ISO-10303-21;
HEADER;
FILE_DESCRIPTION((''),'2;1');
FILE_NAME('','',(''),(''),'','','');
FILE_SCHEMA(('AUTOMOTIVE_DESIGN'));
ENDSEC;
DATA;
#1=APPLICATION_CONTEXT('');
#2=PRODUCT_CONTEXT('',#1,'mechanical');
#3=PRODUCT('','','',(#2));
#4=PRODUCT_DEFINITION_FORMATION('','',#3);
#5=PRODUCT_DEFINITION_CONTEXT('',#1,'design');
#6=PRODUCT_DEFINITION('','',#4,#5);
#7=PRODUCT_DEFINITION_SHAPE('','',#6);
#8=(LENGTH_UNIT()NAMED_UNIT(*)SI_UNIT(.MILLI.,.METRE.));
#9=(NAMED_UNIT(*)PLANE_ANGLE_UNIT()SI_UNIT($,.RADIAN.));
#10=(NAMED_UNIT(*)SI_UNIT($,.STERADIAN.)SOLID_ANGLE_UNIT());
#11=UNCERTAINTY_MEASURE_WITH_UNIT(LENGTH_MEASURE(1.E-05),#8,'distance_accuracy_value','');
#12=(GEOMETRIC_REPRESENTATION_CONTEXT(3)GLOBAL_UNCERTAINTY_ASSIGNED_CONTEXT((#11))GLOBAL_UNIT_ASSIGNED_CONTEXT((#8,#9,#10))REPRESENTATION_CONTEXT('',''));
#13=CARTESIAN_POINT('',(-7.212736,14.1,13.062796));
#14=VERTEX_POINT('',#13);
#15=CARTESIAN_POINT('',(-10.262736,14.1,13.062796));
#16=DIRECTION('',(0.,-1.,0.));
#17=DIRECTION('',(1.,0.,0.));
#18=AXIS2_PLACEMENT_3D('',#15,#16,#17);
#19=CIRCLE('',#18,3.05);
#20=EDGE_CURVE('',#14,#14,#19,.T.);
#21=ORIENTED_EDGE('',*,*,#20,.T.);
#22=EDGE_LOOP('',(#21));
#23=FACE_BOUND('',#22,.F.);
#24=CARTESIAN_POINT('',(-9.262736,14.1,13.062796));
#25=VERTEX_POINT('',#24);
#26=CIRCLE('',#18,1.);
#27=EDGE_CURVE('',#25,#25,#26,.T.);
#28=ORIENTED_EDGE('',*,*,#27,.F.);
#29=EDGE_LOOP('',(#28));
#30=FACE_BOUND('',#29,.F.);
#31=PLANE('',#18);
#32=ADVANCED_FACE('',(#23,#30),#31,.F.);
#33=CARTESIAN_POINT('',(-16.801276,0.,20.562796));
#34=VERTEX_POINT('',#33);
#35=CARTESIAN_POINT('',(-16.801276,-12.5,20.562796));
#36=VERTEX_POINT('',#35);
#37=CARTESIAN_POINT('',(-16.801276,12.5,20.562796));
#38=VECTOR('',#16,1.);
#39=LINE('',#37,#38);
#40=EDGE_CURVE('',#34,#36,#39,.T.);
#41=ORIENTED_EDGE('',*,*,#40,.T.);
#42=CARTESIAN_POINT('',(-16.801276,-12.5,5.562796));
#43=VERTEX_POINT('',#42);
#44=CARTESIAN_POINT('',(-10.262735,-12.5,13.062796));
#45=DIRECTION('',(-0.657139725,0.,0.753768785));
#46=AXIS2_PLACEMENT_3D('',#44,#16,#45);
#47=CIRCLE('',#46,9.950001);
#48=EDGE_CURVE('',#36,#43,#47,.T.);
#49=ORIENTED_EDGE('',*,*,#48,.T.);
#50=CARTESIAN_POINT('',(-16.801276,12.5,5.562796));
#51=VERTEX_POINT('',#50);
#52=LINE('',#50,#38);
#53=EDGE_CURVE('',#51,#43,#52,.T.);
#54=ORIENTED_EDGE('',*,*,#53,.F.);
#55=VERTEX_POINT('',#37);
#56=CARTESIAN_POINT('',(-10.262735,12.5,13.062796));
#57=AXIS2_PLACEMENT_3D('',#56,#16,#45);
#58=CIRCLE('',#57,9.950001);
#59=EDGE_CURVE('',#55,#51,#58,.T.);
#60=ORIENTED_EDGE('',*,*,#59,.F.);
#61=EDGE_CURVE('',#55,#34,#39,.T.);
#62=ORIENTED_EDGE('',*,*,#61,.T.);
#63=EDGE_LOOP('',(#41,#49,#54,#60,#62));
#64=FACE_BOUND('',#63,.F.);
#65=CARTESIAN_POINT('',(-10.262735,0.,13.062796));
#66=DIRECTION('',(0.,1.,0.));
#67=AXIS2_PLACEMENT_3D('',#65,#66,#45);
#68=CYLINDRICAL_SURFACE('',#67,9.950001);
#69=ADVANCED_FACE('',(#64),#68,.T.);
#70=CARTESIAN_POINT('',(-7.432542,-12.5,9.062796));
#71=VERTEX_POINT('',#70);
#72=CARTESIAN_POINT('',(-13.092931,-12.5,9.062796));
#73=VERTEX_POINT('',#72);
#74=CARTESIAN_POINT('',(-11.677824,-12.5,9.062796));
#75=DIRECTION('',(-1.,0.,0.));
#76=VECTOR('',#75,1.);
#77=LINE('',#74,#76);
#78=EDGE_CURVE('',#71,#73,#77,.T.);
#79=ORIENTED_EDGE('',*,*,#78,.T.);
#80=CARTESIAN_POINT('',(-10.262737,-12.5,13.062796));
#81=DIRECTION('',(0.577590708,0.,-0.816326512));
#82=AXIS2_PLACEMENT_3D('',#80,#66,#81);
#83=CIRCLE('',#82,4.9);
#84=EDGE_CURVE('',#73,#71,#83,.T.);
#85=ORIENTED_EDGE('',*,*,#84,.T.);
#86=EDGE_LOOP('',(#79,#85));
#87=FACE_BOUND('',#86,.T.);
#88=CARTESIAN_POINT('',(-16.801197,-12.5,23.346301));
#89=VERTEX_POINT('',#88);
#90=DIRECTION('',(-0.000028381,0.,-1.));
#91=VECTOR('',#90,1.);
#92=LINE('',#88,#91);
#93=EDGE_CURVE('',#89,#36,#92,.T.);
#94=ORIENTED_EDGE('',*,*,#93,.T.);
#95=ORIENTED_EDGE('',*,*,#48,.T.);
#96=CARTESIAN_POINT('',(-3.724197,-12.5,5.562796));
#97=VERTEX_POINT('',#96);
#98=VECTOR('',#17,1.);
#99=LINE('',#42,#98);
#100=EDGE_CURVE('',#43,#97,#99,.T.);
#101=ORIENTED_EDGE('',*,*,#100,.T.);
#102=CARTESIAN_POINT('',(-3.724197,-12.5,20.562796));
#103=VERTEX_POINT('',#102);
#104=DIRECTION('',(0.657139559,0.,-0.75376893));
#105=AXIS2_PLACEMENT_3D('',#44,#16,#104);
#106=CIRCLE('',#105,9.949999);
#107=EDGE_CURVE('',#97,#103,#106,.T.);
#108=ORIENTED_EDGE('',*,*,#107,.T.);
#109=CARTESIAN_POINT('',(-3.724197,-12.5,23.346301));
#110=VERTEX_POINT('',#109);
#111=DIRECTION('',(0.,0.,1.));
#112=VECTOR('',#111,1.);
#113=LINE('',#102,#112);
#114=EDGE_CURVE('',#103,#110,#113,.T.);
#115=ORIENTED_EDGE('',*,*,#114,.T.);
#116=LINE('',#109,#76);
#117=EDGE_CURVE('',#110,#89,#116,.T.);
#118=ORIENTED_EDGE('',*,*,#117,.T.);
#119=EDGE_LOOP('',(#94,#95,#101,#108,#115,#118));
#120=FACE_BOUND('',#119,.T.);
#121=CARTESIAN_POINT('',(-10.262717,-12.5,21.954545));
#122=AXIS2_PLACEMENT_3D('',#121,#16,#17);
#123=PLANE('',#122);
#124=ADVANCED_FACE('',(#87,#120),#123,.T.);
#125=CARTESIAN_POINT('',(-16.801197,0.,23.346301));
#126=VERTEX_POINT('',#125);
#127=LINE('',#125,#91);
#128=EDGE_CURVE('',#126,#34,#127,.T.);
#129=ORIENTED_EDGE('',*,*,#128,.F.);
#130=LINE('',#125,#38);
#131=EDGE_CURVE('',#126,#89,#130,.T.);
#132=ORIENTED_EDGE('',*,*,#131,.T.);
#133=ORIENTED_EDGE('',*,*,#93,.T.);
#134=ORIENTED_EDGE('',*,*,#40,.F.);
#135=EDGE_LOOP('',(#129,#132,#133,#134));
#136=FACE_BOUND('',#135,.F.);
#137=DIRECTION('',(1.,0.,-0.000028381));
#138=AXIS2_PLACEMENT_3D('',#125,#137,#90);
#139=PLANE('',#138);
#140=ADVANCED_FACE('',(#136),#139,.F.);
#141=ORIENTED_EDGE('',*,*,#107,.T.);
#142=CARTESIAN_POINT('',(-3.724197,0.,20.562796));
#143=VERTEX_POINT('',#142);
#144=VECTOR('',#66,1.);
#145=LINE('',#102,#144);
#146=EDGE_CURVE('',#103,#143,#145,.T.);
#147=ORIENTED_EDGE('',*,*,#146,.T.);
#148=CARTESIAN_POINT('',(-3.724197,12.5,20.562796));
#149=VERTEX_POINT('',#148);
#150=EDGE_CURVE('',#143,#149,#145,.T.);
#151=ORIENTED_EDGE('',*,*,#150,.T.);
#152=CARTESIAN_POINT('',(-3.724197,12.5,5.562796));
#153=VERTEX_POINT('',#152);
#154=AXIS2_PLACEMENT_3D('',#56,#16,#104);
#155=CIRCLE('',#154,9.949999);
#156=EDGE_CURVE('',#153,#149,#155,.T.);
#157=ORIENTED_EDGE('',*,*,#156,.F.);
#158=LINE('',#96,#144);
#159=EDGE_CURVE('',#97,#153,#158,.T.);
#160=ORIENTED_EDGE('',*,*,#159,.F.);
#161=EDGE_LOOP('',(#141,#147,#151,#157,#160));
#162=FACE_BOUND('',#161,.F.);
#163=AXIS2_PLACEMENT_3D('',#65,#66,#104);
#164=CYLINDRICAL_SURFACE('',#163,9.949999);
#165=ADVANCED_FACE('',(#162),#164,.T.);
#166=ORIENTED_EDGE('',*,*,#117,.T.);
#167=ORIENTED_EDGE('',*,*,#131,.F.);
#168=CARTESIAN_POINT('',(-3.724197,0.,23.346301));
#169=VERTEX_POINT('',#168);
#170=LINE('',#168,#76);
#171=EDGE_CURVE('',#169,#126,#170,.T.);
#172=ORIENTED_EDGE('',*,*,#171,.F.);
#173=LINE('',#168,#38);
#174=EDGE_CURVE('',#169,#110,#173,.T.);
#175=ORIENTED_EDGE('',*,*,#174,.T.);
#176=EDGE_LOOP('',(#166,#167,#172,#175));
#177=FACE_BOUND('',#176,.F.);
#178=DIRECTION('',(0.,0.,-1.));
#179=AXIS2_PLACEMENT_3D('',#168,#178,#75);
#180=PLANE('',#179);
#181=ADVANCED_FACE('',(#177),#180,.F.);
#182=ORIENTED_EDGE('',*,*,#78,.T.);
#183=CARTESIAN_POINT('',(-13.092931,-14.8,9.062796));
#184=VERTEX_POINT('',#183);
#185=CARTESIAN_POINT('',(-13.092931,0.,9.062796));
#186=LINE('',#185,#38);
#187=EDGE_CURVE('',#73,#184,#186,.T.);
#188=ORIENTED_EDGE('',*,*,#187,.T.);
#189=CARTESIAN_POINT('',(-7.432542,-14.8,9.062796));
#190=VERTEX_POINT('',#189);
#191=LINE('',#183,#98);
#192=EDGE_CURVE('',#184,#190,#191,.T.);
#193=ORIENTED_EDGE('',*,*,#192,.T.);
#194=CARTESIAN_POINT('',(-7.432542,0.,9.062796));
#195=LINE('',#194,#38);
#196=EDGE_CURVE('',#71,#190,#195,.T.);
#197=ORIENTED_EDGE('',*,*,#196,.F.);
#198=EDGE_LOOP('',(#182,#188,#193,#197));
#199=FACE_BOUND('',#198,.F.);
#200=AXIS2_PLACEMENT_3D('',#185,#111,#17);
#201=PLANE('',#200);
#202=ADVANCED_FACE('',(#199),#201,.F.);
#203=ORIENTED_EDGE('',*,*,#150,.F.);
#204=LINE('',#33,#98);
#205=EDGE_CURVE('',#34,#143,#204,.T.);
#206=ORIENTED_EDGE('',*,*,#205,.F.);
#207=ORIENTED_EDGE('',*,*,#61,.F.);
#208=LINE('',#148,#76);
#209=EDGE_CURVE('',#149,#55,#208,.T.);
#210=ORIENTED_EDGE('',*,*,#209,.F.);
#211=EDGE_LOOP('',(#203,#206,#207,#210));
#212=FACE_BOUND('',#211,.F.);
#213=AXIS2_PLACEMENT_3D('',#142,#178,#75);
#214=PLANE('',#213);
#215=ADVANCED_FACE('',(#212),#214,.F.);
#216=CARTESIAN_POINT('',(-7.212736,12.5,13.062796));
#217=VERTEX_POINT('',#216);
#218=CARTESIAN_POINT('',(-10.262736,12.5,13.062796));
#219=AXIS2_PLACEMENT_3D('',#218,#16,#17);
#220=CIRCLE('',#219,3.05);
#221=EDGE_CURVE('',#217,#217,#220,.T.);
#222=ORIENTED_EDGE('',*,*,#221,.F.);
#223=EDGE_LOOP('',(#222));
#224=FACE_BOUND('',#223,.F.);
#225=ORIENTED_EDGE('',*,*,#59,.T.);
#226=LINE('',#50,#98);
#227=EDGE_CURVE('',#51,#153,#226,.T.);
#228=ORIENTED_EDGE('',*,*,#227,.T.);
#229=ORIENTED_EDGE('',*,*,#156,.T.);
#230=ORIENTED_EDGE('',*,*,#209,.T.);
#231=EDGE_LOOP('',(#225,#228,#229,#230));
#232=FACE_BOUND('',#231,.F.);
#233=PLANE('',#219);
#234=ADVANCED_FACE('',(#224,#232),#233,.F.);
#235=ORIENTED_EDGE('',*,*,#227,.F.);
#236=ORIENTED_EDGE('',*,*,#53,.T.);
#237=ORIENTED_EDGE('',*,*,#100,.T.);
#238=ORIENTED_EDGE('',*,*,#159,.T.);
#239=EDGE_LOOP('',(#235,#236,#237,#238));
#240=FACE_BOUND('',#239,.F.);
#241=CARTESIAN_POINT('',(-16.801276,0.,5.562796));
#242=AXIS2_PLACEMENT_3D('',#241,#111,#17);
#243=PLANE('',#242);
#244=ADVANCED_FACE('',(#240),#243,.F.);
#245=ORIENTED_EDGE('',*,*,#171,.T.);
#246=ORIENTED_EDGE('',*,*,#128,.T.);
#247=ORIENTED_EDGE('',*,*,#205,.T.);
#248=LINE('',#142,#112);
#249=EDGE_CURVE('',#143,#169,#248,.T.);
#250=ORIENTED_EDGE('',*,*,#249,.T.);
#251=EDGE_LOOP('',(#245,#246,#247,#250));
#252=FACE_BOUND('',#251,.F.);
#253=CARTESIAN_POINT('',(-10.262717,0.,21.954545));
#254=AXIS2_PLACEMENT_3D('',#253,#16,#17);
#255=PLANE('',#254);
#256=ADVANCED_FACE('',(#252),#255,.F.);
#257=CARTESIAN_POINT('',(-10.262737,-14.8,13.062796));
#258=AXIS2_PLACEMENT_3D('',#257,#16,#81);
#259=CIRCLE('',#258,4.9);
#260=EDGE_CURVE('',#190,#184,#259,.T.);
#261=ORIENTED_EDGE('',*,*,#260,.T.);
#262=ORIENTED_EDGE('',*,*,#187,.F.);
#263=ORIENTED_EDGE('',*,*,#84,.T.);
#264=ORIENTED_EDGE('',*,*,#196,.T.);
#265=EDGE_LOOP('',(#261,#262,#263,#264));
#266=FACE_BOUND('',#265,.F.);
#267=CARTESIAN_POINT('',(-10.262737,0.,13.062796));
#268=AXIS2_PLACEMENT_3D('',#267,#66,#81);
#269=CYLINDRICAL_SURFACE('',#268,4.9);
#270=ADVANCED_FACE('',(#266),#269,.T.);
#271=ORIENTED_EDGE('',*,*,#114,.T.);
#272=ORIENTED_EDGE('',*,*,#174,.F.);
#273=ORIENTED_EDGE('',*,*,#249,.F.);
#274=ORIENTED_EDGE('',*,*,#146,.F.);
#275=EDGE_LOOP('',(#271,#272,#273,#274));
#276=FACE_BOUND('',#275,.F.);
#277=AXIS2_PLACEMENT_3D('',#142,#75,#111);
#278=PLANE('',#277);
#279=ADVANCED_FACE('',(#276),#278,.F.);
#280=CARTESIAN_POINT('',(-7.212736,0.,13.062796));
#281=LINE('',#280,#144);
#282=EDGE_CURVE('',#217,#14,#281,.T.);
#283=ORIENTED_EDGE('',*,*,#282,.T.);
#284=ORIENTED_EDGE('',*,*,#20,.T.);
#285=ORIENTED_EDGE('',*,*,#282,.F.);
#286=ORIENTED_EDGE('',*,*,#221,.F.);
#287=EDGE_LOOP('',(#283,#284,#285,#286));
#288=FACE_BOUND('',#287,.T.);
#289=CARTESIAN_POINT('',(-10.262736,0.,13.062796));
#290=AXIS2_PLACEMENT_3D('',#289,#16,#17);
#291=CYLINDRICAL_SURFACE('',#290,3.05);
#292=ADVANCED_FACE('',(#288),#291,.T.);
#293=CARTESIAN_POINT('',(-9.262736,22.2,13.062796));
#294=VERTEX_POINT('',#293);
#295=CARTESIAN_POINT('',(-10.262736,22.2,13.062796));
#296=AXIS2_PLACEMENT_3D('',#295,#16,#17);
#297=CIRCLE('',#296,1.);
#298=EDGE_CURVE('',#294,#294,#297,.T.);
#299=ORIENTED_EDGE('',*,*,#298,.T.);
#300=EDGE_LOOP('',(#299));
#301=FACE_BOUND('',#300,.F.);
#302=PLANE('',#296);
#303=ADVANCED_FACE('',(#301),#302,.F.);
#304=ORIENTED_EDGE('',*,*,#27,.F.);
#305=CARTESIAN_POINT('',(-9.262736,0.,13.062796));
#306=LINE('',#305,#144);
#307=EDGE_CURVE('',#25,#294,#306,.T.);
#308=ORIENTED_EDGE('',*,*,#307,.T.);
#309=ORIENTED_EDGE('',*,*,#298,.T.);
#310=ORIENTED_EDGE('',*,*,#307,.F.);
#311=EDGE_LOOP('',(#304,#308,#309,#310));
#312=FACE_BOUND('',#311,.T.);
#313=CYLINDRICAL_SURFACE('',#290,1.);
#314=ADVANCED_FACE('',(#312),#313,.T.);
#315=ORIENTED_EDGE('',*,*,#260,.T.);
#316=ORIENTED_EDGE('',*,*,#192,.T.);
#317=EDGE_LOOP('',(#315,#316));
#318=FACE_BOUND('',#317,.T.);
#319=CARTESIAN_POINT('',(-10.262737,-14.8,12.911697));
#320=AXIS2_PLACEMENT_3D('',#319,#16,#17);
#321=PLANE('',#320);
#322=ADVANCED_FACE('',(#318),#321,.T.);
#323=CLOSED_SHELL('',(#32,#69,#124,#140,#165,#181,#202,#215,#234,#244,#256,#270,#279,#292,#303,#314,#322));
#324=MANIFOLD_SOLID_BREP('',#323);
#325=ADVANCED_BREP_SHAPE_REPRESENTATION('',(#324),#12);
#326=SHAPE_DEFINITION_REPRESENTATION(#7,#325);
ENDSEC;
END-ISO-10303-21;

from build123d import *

# Parameters (mm, degrees)
F0_R     = 3.05
F0_R_2   = 1
F1_DEPTH = 12.5
F2_DEPTH = 12.5
F3_DEPTH = 14.8
F4_DEPTH = 14.1
F5_DEPTH = 22.2


with BuildPart() as f1:
    # F0 (on Front) → F1 (new body, symmetric)
    with BuildSketch(Plane.XZ):
        with BuildLine():
            Line((-3.724197, 20.562796), (-16.801276, 20.562796))
            ThreePointArc((-16.801276, 20.562796), (-20.212736, 13.062796), (-16.801276, 5.562796))
            Line((-16.801276, 5.562796), (-3.724197, 5.562796))
            ThreePointArc((-3.724197, 5.562796), (-0.312736, 13.062796), (-3.724197, 20.562796))
        make_face()
        with BuildLine():
            ThreePointArc((-13.092931, 9.062796), (-10.262736, 17.962796), (-7.432542, 9.062796))
            Line((-7.432542, 9.062796), (-13.092931, 9.062796))
        make_face(mode=Mode.SUBTRACT)
        with Locations((-10.262736, 13.062796)):
            Circle(F0_R)
        with Locations((-10.262736, 13.062796)):
            Circle(F0_R_2, mode=Mode.SUBTRACT)
        with BuildLine():
            Line((-13.092931, 9.062796), (-7.432542, 9.062796))
            ThreePointArc((-7.432542, 9.062796), (-10.262736, 17.962796), (-13.092931, 9.062796))
        make_face()
        with Locations((-10.262736, 13.062796)):
            Circle(F0_R, mode=Mode.SUBTRACT)
        with Locations((-10.262736, 13.062796)):
            Circle(F0_R_2)
    extrude(amount=F1_DEPTH, both=True)

    # F0 (on Front) → F2 (join)
    with BuildSketch(Plane.XZ):
        Polygon((-16.801197, 23.346301), (-16.801276, 20.562796), (-3.724197, 20.562796), (-3.724197, 23.346301), align=None)
    extrude(amount=F2_DEPTH)

    # F0 (on Front) → F3 (join)
    with BuildSketch(Plane.XZ):
        with BuildLine():
            Line((-13.092931, 9.062796), (-7.432542, 9.062796))
            ThreePointArc((-7.432542, 9.062796), (-10.262736, 17.962796), (-13.092931, 9.062796))
        make_face()
        with Locations((-10.262736, 13.062796)):
            Circle(F0_R, mode=Mode.SUBTRACT)
        with Locations((-10.262736, 13.062796)):
            Circle(F0_R)
        with Locations((-10.262736, 13.062796)):
            Circle(F0_R_2, mode=Mode.SUBTRACT)
        with Locations((-10.262736, 13.062796)):
            Circle(F0_R_2)
    extrude(amount=F3_DEPTH)

    # F0 (on Front) → F4 (join)
    with BuildSketch(Plane.XZ):
        with Locations((-10.262736, 13.062796)):
            Circle(F0_R)
        with Locations((-10.262736, 13.062796)):
            Circle(F0_R_2, mode=Mode.SUBTRACT)
    extrude(amount=-F4_DEPTH)

    # F0 (on Front) → F5 (join)
    with BuildSketch(Plane.XZ):
        with Locations((-10.262736, 13.062796)):
            Circle(F0_R_2)
    extrude(amount=-F5_DEPTH)


solid = f1.part
